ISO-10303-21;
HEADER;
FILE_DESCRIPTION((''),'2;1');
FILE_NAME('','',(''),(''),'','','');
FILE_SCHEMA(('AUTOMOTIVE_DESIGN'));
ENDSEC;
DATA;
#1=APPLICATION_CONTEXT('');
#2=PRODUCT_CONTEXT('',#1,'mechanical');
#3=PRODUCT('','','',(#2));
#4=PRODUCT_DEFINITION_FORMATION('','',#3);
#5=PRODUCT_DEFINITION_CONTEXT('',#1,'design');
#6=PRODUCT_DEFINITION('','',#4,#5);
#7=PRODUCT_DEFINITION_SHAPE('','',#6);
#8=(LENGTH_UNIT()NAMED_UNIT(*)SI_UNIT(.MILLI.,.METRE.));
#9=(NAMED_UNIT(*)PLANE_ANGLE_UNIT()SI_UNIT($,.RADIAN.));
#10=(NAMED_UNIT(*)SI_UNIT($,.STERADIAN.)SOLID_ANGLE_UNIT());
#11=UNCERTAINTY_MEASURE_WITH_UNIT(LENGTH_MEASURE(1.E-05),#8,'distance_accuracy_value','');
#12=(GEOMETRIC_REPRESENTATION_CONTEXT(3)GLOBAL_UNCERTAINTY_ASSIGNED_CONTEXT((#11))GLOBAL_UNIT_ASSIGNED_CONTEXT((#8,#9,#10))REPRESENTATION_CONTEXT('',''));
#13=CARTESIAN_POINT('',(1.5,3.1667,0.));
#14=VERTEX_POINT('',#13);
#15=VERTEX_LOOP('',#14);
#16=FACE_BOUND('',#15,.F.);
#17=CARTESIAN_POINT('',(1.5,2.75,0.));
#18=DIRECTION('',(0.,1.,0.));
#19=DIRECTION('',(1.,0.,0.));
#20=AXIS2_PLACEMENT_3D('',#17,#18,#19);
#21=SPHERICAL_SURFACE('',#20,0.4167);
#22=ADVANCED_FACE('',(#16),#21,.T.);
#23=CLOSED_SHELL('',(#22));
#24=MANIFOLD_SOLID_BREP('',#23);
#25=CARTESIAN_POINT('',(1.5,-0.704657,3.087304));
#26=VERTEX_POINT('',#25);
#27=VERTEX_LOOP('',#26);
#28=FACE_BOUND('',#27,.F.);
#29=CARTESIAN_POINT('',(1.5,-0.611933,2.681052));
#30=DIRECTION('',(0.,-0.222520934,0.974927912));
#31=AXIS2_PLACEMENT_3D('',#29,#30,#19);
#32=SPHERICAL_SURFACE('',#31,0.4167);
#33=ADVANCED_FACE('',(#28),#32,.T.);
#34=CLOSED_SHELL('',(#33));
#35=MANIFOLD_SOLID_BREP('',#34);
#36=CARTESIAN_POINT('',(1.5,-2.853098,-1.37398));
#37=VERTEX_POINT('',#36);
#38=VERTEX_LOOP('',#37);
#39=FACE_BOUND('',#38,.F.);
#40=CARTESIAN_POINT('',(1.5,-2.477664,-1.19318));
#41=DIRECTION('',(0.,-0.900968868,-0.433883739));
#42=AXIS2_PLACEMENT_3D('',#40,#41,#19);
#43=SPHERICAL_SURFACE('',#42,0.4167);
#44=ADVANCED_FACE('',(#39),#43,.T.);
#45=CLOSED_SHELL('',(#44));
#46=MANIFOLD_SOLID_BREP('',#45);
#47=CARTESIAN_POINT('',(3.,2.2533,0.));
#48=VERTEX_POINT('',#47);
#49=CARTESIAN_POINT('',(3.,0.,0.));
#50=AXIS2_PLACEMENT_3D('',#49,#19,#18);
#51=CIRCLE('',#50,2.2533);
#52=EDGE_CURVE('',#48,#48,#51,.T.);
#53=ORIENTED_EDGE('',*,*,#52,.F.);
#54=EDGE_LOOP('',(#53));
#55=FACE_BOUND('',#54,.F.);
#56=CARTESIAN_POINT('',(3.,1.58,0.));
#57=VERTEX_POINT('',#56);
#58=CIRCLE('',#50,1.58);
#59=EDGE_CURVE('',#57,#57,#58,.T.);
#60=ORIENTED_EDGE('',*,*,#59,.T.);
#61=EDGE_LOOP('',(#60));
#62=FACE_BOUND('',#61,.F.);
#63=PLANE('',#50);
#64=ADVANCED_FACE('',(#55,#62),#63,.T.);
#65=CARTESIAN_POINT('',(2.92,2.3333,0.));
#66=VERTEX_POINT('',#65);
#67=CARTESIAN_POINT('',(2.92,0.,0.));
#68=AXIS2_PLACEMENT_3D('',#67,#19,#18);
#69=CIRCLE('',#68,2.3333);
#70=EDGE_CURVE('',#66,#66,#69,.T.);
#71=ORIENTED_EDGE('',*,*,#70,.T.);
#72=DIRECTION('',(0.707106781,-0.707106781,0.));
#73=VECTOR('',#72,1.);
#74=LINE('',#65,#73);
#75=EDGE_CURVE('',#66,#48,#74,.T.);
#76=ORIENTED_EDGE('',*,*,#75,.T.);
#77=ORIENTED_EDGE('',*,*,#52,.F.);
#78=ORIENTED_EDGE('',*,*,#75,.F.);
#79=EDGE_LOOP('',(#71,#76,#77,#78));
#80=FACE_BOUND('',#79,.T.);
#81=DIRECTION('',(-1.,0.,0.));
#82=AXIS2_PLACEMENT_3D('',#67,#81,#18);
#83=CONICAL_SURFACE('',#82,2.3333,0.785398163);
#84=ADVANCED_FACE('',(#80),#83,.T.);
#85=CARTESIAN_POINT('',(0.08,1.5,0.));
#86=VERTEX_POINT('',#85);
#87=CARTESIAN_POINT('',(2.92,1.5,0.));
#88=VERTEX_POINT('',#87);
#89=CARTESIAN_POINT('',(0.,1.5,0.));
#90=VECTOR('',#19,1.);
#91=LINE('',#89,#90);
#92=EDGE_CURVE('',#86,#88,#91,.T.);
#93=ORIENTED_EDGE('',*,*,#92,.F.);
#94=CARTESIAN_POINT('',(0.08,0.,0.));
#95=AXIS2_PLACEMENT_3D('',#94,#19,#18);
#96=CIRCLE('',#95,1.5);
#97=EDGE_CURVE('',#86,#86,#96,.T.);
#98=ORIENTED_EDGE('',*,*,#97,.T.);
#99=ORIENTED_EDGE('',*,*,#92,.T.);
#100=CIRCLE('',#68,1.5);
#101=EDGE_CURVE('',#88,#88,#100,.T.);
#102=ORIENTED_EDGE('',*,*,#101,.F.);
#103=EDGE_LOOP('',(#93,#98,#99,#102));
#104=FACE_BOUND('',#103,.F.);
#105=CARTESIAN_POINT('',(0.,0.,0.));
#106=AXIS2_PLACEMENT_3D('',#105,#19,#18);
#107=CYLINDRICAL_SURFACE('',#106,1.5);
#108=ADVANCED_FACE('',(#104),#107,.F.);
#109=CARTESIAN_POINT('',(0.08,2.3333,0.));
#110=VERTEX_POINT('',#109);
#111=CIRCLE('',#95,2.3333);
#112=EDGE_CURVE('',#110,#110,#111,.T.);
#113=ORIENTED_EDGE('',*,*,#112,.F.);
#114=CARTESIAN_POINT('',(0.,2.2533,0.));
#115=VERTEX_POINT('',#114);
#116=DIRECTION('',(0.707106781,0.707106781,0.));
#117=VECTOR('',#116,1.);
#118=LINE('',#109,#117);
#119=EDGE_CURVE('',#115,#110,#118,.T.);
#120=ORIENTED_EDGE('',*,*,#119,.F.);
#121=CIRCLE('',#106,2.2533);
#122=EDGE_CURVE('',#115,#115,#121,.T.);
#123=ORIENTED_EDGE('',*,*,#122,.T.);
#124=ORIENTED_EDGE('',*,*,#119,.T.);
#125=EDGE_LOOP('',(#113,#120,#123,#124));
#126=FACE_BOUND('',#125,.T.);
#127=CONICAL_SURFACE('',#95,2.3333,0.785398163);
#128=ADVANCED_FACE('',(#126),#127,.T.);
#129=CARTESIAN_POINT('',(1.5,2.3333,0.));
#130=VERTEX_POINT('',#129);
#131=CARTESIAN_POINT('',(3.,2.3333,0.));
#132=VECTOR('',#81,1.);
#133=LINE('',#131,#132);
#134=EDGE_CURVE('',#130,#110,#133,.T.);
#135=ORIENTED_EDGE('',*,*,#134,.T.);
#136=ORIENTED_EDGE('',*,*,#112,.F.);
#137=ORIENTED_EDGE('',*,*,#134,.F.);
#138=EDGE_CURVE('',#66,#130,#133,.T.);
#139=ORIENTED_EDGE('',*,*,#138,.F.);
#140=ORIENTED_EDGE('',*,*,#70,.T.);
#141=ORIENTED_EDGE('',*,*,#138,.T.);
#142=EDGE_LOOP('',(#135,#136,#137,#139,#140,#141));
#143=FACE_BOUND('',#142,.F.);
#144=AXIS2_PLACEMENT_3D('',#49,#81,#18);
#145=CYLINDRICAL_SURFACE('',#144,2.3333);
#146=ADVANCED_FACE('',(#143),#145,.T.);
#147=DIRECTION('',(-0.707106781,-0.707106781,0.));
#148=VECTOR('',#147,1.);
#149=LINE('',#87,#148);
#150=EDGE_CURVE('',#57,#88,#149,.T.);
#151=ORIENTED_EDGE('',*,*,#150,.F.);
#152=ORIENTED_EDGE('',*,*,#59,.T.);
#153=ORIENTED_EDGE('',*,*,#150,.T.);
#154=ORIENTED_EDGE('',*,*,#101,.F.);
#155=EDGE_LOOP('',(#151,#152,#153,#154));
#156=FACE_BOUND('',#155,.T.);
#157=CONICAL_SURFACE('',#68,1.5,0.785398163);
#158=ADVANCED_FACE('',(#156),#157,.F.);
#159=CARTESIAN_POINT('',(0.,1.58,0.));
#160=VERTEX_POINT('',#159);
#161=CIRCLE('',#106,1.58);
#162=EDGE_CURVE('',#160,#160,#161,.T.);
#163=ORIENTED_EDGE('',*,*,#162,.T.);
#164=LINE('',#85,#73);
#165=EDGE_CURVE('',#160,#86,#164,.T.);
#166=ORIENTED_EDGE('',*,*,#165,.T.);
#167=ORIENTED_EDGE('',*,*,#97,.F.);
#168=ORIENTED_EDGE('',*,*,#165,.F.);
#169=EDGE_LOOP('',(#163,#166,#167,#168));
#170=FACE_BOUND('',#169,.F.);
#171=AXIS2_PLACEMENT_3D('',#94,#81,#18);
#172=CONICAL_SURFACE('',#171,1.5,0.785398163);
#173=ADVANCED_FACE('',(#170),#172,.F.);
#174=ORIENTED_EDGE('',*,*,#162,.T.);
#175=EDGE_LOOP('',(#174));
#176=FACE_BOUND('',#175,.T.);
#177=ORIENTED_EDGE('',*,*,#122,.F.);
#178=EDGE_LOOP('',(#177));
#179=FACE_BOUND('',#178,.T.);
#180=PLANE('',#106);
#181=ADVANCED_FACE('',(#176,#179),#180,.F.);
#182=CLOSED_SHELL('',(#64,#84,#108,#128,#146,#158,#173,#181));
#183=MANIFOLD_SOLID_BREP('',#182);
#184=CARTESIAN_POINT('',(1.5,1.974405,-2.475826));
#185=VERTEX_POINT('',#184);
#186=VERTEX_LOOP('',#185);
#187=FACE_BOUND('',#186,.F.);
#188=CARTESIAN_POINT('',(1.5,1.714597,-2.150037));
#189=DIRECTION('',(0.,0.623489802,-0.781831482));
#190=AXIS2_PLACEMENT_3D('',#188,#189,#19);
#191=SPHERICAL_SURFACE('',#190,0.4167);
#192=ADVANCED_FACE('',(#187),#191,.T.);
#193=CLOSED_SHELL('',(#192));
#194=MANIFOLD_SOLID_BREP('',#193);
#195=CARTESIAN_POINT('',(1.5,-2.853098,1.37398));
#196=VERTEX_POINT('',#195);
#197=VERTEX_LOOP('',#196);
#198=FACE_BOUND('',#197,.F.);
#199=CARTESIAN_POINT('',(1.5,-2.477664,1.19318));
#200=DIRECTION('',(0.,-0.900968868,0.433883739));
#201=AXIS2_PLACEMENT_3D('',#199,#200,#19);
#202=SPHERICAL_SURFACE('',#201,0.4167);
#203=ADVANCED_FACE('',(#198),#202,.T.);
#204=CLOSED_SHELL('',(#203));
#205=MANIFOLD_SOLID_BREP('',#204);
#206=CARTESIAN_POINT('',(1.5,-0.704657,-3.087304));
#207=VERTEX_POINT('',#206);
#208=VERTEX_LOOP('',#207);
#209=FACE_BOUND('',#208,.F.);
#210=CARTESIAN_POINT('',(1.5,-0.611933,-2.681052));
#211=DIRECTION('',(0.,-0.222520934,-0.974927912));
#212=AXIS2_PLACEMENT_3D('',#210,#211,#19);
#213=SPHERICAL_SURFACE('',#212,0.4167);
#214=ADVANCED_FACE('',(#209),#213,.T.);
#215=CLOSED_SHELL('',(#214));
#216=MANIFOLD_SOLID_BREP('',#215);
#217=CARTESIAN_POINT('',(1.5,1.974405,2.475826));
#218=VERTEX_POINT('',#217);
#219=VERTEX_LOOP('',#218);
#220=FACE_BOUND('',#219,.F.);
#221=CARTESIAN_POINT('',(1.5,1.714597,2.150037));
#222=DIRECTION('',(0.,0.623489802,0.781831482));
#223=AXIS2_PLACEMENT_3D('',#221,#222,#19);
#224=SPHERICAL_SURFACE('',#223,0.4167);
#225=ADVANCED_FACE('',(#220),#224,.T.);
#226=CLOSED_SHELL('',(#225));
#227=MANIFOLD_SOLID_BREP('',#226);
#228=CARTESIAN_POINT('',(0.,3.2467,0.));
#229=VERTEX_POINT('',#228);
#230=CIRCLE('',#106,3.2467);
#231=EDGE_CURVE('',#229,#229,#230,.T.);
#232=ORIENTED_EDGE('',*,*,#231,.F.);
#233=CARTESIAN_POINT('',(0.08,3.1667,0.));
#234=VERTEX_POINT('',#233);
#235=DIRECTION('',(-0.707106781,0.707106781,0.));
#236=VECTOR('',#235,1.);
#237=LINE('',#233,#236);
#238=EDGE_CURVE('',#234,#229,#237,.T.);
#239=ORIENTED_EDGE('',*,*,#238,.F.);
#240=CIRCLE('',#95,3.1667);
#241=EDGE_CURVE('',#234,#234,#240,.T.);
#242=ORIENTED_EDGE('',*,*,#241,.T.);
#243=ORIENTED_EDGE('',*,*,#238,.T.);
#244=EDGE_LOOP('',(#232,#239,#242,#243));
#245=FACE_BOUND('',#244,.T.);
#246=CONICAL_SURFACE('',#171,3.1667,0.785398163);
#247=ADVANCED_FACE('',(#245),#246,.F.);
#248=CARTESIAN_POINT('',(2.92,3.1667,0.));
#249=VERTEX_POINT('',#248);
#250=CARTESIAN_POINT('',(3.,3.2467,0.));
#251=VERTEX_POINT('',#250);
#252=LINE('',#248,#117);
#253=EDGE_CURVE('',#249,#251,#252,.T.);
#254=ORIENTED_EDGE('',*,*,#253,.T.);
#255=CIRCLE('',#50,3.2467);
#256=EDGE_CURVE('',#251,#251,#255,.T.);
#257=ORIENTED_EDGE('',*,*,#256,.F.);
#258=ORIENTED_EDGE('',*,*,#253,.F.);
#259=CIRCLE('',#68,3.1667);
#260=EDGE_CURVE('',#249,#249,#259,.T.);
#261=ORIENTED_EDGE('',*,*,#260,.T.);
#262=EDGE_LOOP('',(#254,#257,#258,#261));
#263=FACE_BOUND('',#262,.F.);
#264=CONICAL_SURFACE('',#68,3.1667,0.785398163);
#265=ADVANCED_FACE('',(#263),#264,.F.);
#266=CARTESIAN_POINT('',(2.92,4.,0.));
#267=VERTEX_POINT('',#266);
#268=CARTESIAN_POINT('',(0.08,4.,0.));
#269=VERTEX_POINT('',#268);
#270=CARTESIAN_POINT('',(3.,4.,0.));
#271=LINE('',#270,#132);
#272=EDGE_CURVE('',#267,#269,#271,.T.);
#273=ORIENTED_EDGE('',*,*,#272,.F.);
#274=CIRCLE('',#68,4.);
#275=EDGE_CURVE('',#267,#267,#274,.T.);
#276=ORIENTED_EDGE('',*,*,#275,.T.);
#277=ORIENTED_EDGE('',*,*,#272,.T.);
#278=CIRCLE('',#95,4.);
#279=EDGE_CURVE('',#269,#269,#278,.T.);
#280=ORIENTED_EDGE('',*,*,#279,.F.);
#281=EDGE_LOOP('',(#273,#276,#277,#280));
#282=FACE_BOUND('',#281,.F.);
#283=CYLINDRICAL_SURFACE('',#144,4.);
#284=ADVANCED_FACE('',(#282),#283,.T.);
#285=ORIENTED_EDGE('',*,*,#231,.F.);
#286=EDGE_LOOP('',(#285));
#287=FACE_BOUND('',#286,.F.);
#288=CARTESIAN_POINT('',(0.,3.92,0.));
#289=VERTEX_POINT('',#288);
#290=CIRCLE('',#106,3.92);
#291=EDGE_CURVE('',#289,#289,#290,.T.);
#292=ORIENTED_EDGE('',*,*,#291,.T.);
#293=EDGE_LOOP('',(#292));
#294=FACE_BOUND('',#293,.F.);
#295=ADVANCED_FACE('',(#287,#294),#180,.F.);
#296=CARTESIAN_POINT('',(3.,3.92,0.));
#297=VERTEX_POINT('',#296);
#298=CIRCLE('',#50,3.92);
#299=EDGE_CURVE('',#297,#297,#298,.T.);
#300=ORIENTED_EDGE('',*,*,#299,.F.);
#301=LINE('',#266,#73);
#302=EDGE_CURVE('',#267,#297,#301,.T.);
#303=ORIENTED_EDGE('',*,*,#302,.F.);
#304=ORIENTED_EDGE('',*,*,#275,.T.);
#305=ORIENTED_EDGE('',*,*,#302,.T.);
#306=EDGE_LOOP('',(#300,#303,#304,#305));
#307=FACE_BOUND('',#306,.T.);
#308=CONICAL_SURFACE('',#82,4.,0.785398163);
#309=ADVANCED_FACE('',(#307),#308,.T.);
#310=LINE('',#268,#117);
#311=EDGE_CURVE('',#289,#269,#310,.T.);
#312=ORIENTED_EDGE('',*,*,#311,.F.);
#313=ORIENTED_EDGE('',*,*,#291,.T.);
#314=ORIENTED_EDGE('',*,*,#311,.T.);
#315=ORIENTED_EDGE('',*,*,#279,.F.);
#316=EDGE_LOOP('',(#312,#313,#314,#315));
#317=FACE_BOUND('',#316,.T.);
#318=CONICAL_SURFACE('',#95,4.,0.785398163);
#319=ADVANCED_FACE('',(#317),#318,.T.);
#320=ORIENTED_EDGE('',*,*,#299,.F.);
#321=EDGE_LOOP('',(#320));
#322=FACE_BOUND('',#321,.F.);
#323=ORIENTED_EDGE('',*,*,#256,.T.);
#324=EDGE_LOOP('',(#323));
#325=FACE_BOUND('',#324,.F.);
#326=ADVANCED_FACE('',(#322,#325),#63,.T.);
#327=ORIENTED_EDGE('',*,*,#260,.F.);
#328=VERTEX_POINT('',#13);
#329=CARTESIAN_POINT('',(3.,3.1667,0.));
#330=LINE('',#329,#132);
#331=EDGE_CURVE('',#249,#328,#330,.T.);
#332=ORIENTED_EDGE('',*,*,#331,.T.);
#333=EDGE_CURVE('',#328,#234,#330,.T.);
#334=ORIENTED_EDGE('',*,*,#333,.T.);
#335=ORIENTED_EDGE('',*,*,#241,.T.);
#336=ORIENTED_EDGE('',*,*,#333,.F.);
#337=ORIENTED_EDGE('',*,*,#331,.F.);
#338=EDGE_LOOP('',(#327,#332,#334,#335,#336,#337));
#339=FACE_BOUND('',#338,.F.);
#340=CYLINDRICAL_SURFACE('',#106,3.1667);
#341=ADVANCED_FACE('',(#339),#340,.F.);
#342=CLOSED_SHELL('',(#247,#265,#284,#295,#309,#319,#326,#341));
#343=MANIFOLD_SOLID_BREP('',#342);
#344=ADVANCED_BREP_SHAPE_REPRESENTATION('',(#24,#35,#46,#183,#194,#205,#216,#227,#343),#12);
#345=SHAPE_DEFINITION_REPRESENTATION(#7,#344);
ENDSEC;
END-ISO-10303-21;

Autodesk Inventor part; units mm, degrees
ref_plane "YZ Plane" through (0, 0, 0) normal (1, 0, 0) x (0, 1, 0)
ref_plane "XZ Plane" through (0, 0, 0) normal (0, 1, 0) x (-1, 0, 0)
ref_plane "XY Plane" through (0, 0, 0) normal (0, 0, 1) x (1, 0, 0)
sketch "草图1" plane through (0, 0, 0) normal (0, 0, 1) x (1, 0, 0)
  line L0 (0, 0) -> (0, 2.515)
  line L1 (0, 0) -> (1.8186, 0)
  line L2 (0, 1.5) -> (3, 1.5)
  line L3 (3, 1.5) -> (3, 2.3333)
  line L4 (3, 2.3333) -> (0, 2.3333)
  line L5 (0, 2.3333) -> (0, 1.5)
  line L6 (0, 3.1667) -> (3, 3.1667)
  line L7 (3, 3.1667) -> (3, 4)
  line L8 (3, 4) -> (0, 4)
  line L9 (0, 4) -> (0, 3.1667)
  arc A0 (1.5, 2.3333) -> (1.5, 3.1667) centre (1.5, 2.75) ccw
  line L10 (1.5, 3.1667) -> (1.5, 2.3333)
  dimension "d19" = 3
  dimension "d20" = 3
  dimension "d21" = 8
  dimension "d22" = 0.8333
  dimension "d23" = 0.8333
revolve "Revolution 1" add sketch "草图1" angle 360 about axis through (0, 0, 0) along (1, 0, 0) contours L6 L9 L8 L7 | L0 L4 L3 L2
chamfer "Chamfer 1" distance 0.08 angle 45 8 edges at (3, -4, 0) (3, -3.1667, 0) (3, -2.3333, 0) (3, -1.5, 0) (0, -4, 0) (0, -3.1667, 0) (0, -2.3333, 0) (0, -1.5, 0)
revolve "Revolution 2" add sketch "草图1" angle 360 about axis through (1.5, 3.1667, 0) along (0, -1, 0) contours L10 A0
pattern_circular "Circular Pattern 1" count 7 over 360 about axis through (1.5, 0, 0) along (1, 0, 0) of "Revolution 2"
equation "\"d19\" = KB"
equation "\"d20\" = WD"
equation "\"d21\" = BD"
equation "\"d22\" = -0.166667 * WD + 0.166667 * BD"
equation "\"d23\" = d22"
equation "\"d12\" = KRS"
equation "\"WD\" = 3"
equation "\"BD\" = 8"
equation "\"KB\" = 3"
equation "\"KRS\" = 0.08"
equation "\"YM\" = KRS"
properties part number "Rolling bearing GB/T 5800-2003 -619/3" material "Steel, Mild"
